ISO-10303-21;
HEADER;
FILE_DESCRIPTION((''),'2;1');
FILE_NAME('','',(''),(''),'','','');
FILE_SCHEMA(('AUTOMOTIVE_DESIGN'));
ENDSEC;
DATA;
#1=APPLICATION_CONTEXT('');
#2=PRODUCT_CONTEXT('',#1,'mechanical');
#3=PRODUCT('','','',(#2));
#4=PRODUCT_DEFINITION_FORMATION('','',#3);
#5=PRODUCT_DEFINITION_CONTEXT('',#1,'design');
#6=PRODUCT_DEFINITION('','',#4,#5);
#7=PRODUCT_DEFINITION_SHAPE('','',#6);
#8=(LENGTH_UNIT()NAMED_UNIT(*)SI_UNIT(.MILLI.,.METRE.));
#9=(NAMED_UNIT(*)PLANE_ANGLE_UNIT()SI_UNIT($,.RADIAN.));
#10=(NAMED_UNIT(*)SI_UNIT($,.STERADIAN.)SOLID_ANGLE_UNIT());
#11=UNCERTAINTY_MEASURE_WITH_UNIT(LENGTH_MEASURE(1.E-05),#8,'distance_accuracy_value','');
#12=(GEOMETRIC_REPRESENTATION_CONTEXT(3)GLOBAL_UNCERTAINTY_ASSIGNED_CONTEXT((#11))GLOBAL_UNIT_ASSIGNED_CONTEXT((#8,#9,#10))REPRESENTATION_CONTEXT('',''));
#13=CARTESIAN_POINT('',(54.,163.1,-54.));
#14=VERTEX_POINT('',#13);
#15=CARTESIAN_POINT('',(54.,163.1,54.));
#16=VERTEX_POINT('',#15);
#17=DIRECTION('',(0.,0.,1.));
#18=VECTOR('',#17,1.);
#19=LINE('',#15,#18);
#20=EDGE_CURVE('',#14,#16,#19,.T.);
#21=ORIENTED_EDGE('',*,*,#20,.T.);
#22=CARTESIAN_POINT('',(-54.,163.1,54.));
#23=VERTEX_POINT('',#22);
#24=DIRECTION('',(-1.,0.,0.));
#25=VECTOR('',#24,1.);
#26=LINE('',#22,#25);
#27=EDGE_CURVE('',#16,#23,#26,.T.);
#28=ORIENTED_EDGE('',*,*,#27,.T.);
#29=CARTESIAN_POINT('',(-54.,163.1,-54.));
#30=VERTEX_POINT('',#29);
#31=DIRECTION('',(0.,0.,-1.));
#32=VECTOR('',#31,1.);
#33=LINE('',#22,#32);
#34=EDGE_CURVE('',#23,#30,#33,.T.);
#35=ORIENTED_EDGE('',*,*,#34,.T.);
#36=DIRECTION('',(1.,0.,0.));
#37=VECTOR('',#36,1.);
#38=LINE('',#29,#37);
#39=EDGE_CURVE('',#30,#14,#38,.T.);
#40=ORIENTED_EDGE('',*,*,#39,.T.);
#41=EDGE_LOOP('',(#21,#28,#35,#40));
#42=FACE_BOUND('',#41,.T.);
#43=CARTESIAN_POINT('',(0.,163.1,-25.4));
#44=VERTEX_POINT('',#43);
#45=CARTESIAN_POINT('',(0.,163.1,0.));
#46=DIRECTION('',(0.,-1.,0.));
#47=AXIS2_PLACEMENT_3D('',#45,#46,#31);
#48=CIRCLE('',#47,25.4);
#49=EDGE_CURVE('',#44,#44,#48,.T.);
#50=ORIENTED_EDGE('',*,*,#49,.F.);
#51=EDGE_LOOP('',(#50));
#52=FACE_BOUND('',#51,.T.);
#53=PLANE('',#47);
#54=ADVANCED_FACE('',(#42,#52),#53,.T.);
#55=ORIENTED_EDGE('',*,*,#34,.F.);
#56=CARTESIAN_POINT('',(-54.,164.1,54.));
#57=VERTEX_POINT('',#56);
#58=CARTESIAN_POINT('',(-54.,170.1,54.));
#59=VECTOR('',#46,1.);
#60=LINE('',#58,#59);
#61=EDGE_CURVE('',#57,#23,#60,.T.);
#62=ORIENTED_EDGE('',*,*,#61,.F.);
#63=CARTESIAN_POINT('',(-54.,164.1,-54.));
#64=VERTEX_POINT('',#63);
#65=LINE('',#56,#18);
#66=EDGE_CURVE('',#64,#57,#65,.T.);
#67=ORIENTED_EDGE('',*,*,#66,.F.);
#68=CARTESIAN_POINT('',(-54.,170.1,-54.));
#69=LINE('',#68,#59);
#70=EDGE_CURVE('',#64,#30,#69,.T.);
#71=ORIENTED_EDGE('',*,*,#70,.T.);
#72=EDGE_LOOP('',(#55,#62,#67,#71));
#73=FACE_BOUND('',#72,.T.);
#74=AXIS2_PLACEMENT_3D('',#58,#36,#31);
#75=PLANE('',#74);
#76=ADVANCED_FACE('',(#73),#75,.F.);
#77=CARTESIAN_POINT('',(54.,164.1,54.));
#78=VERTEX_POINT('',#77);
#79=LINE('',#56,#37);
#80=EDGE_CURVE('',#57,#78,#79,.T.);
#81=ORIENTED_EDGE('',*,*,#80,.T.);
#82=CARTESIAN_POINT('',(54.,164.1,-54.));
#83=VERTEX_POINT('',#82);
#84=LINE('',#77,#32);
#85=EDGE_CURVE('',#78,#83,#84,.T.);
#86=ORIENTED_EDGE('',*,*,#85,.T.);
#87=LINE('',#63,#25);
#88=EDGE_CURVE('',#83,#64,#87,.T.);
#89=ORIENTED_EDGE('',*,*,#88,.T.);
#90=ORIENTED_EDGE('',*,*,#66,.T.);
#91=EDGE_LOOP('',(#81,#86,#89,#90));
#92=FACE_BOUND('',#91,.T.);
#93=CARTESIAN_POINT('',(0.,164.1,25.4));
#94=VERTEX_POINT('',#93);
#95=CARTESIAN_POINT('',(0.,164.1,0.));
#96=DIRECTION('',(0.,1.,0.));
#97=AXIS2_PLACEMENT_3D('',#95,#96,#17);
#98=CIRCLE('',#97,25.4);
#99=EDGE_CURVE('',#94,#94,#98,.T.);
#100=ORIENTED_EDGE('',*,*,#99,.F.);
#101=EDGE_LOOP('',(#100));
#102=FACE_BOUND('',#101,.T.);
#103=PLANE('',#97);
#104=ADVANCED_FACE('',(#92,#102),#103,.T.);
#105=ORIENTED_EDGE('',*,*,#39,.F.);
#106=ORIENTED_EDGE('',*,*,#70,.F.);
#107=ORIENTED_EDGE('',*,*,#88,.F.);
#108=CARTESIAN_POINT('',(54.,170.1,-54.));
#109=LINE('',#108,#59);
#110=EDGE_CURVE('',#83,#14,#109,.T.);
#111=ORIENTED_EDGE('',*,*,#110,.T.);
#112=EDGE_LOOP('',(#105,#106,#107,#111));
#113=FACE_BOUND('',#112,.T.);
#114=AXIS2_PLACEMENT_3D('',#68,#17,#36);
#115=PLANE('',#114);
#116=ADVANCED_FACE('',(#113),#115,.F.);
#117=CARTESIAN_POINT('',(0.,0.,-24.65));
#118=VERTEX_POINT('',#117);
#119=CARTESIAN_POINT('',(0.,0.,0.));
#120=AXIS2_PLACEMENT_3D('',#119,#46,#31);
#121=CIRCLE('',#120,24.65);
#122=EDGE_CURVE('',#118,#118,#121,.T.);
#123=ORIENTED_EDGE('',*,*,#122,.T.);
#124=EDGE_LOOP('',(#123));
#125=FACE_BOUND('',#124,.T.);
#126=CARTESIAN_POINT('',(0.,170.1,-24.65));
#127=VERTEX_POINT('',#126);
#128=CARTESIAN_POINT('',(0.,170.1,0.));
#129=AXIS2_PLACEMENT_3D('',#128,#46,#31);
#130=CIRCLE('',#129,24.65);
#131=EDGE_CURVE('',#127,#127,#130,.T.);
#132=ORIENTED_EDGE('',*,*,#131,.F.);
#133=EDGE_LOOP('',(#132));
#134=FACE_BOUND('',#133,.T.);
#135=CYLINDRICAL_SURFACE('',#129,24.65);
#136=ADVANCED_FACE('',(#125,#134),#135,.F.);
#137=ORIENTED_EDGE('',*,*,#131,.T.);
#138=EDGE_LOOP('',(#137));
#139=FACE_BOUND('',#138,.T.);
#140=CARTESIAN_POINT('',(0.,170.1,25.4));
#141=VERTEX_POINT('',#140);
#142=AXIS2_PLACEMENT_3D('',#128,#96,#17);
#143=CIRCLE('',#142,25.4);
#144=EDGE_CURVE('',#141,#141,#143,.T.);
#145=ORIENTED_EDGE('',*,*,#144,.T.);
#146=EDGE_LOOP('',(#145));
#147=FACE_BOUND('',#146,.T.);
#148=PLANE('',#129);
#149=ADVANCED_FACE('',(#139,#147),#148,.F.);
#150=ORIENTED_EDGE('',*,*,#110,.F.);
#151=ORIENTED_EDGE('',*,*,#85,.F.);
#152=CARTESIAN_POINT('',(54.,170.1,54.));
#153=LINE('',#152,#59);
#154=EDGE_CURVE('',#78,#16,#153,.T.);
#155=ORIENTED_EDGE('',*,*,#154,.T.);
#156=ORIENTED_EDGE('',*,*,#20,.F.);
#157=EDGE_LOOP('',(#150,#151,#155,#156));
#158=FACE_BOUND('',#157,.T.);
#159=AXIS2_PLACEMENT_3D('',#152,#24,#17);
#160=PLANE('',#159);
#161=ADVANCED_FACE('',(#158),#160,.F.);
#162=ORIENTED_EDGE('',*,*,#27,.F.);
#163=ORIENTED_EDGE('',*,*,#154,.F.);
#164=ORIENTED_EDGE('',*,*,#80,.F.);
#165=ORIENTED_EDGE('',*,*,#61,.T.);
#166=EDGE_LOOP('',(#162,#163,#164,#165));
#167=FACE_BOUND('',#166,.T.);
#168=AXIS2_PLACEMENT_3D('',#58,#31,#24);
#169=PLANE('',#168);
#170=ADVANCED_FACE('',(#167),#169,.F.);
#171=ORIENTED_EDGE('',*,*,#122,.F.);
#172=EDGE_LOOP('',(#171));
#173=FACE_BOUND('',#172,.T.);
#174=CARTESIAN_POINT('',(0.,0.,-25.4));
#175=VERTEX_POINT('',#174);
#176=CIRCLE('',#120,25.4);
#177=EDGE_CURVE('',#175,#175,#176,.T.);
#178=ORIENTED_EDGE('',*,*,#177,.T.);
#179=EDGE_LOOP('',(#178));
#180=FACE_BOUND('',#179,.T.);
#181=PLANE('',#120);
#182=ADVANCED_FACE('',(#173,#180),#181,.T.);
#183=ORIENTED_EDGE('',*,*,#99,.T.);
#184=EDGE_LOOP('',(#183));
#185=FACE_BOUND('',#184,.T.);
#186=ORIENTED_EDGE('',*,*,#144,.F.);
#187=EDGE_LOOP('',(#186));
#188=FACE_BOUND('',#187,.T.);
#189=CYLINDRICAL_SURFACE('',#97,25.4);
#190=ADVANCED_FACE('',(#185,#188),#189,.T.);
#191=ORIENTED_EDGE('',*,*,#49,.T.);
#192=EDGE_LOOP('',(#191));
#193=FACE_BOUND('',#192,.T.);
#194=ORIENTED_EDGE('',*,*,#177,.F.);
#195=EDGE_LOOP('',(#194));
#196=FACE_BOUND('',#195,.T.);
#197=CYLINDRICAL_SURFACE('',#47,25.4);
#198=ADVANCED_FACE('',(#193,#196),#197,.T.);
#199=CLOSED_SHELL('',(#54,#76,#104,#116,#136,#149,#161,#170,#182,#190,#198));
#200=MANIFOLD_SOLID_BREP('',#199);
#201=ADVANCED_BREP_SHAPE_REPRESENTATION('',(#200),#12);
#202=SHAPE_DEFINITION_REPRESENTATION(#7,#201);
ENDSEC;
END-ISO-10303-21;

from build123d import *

# Parameters (mm, degrees)
SKETCH1_W           = 108
SKETCH1_H           = 108
BOSS_EXTRUDE1_DEPTH = 170.1
SKETCH2_OUTSIDE_W   = 155.722
SKETCH2_OUTSIDE_H   = 155.722
SKETCH2_OUTSIDE_R   = 25.4
CUT_EXTRUDE1_DEPTH  = 6
SKETCH3_OUTSIDE_W   = 155.722
SKETCH3_OUTSIDE_H   = 155.722
SKETCH3_OUTSIDE_R   = 25.4
CUT_EXTRUDE3_DEPTH  = 163.1
SKETCH5_R           = 24.65
CUT_EXTRUDE4_DEPTH  = 187.456456043


with BuildPart() as part:
    # Sketch1 → Boss-Extrude1 (new body)
    with BuildSketch(Plane(origin=(0, 0, 0), x_dir=(1, 0, 0), z_dir=(0, 1, 0))):
        Rectangle(SKETCH1_W, SKETCH1_H)
    extrude(amount=BOSS_EXTRUDE1_DEPTH)

    # Sketch2 outside → Cut-Extrude1 (cut)
    with BuildSketch(Plane(origin=(0, 170.1, 0), x_dir=(1, 0, 0), z_dir=(0, 1, 0))):
        Rectangle(SKETCH2_OUTSIDE_W, SKETCH2_OUTSIDE_H)
        with Locations(Location((0, 0, 0), (0, 0, 270))):
            Circle(SKETCH2_OUTSIDE_R, mode=Mode.SUBTRACT)
    extrude(amount=-CUT_EXTRUDE1_DEPTH, mode=Mode.SUBTRACT)

    # Sketch3 outside → Cut-Extrude3 (cut)
    with BuildSketch(Plane.XZ):
        Rectangle(SKETCH3_OUTSIDE_W, SKETCH3_OUTSIDE_H)
        with Locations(Location((0, 0, 0), (0, 0, 90))):
            Circle(SKETCH3_OUTSIDE_R, mode=Mode.SUBTRACT)
    extrude(amount=-CUT_EXTRUDE3_DEPTH, mode=Mode.SUBTRACT)

    # Sketch5 → Cut-Extrude4 (cut, through all)
    with BuildSketch(Plane.XZ):
        with Locations(Location((0, 0, 0), (0, 0, 270))):
            Circle(SKETCH5_R)
    extrude(amount=-CUT_EXTRUDE4_DEPTH, mode=Mode.SUBTRACT)


solid = part.part
